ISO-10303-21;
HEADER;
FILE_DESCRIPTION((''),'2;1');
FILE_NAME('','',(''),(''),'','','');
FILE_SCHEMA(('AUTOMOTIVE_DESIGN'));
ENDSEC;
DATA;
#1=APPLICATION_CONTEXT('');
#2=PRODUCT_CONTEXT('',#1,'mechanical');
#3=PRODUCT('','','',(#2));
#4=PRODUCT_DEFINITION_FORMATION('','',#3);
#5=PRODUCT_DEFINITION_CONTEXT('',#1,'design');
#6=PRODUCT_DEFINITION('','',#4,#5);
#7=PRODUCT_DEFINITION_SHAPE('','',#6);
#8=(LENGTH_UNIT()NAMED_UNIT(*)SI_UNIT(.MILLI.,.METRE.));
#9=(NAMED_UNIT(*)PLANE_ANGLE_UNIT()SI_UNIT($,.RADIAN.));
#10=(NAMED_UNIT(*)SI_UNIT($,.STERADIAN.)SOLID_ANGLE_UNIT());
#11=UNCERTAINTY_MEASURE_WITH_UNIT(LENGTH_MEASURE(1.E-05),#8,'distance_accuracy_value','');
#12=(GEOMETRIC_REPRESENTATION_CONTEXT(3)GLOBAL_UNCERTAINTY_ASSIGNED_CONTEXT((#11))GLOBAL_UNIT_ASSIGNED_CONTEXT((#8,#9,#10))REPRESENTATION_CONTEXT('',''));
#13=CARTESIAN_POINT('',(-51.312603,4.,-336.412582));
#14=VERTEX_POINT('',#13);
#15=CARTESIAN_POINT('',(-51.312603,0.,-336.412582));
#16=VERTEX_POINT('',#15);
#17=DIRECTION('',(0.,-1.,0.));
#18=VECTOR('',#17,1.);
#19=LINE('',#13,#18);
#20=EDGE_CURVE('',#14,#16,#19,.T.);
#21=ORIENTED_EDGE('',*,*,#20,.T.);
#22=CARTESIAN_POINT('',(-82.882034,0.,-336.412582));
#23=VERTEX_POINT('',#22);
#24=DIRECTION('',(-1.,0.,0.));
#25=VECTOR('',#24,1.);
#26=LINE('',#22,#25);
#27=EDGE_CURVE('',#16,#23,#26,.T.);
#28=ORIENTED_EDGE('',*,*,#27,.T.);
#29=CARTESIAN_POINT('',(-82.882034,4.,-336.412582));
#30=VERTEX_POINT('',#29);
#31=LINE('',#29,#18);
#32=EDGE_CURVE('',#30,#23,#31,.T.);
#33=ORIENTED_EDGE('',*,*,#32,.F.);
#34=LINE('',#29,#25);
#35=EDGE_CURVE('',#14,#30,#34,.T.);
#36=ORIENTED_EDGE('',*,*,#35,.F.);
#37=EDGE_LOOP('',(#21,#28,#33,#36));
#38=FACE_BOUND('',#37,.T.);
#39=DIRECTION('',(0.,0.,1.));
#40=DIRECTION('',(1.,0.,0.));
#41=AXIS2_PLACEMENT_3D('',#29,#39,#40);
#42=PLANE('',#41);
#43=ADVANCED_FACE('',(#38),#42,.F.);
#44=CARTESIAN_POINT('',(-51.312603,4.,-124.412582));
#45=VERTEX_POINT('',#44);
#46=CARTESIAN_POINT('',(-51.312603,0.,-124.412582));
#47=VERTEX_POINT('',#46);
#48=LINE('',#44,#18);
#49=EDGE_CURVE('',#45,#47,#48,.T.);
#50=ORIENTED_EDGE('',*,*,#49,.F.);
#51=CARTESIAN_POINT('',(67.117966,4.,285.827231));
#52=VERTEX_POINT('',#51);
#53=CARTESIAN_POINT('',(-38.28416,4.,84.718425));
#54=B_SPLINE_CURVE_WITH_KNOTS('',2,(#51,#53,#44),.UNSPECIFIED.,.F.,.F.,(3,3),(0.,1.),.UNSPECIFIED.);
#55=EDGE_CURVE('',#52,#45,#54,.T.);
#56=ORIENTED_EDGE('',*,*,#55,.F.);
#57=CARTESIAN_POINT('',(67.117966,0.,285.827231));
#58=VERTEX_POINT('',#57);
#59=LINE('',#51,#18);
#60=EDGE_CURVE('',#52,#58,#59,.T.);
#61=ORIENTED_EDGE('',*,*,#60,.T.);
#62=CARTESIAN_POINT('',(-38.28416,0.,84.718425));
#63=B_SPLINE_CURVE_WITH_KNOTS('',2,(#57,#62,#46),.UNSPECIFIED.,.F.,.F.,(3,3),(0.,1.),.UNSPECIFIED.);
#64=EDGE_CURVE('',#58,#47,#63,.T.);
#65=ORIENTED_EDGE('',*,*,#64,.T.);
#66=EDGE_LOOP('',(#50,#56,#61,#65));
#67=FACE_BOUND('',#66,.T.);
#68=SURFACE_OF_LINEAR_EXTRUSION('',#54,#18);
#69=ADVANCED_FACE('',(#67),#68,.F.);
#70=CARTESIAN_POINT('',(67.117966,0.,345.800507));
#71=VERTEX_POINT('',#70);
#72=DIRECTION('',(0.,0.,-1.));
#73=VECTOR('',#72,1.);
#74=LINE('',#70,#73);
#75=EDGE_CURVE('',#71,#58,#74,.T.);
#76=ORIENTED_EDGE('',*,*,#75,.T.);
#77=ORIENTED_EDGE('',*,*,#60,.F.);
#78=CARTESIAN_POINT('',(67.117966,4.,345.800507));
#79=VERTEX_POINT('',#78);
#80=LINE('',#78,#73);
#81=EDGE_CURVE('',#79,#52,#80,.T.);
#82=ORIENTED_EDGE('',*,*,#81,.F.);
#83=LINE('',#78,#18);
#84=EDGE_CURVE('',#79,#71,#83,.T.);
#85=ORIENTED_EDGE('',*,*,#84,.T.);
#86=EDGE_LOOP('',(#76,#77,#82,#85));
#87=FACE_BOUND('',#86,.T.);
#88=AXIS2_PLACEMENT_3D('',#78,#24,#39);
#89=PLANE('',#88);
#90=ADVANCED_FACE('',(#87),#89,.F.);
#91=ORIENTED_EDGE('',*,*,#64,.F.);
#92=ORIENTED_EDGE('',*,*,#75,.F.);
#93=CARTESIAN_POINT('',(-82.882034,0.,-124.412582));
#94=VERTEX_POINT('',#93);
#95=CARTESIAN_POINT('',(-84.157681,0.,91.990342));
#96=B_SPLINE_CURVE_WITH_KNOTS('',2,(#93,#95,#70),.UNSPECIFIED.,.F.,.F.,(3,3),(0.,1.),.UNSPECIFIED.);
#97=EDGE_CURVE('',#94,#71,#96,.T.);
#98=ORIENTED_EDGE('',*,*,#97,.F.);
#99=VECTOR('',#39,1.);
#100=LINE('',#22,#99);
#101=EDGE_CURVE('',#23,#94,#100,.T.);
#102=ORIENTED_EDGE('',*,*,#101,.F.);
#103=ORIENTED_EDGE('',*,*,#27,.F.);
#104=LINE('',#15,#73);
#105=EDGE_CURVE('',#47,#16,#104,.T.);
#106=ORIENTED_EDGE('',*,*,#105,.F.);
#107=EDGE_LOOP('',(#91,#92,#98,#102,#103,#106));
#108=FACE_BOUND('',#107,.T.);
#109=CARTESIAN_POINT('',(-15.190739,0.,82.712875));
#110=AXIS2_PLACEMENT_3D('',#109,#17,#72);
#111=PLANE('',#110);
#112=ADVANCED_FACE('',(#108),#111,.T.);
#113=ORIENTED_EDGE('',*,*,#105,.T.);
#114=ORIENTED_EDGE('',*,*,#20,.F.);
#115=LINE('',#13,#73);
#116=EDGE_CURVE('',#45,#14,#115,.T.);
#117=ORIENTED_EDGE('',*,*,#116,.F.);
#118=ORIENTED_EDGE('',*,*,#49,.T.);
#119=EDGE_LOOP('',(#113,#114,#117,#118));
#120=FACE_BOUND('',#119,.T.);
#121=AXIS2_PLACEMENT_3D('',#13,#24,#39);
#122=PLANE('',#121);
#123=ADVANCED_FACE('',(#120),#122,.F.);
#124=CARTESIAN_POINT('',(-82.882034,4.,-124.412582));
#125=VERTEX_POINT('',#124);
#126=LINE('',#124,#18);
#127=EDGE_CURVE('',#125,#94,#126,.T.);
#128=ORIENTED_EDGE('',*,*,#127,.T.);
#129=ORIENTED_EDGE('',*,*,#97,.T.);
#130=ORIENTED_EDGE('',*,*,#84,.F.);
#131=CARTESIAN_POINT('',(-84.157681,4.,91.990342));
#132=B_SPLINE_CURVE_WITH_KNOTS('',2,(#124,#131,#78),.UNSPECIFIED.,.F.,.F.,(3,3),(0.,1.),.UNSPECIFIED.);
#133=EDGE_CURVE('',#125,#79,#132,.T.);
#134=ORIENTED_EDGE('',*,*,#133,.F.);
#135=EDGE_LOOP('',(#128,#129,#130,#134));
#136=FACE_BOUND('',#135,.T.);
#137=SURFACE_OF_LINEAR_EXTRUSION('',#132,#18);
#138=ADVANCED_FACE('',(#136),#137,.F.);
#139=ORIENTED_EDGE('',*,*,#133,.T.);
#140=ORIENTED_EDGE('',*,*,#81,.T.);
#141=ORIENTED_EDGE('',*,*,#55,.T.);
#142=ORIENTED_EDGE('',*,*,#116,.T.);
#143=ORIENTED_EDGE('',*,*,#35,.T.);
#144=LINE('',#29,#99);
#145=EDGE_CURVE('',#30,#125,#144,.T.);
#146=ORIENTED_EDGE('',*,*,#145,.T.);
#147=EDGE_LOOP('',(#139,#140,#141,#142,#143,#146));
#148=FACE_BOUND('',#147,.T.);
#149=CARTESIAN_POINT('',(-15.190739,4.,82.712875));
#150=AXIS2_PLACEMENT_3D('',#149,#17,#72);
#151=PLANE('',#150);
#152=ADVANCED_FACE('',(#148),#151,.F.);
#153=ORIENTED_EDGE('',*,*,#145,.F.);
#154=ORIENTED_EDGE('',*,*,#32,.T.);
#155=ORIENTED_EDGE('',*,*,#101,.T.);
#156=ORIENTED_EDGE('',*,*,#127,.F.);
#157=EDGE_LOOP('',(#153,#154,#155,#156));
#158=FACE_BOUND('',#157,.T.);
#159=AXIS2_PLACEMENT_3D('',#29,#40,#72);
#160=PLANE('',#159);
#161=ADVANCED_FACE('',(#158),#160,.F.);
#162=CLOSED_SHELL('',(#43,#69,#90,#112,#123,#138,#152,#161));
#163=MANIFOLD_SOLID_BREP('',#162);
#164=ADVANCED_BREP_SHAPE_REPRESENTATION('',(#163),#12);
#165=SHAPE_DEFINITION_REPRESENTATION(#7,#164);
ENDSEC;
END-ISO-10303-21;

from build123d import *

# Parameters (mm, degrees)
BOSS_EXTRUDE1_DEPTH = 4


with BuildPart() as part:
    # Sketch1 → Boss-Extrude1 (new body)
    with BuildSketch(Plane(origin=(0, 0, 0), x_dir=(1, 0, 0), z_dir=(0, 1, 0))):
        with BuildLine():
            Line((-82.88203441, 336.412581574), (-82.88203441, 124.412581574))
            add(Edge.make_bspline(
                [(-82.88203441, 124.412581574), (-84.157680917, -91.990341969), (67.11796559, -345.800506642)],
                knots=[0, 0, 0, 1, 1, 1], degree=2))
            Line((67.11796559, -345.800506642), (67.11796559, -285.827231403))
            add(Edge.make_bspline(
                [(-51.312602552, 124.412581574), (-38.284160414, -84.718424906), (67.11796559, -285.827231403)],
                knots=[0, 0, 0, 1, 1, 1], degree=2))
            Line((-51.312602552, 124.412581574), (-51.312602552, 336.412581574))
            Line((-51.312602552, 336.412581574), (-82.88203441, 336.412581574))
        make_face()
    extrude(amount=BOSS_EXTRUDE1_DEPTH)


solid = part.part
